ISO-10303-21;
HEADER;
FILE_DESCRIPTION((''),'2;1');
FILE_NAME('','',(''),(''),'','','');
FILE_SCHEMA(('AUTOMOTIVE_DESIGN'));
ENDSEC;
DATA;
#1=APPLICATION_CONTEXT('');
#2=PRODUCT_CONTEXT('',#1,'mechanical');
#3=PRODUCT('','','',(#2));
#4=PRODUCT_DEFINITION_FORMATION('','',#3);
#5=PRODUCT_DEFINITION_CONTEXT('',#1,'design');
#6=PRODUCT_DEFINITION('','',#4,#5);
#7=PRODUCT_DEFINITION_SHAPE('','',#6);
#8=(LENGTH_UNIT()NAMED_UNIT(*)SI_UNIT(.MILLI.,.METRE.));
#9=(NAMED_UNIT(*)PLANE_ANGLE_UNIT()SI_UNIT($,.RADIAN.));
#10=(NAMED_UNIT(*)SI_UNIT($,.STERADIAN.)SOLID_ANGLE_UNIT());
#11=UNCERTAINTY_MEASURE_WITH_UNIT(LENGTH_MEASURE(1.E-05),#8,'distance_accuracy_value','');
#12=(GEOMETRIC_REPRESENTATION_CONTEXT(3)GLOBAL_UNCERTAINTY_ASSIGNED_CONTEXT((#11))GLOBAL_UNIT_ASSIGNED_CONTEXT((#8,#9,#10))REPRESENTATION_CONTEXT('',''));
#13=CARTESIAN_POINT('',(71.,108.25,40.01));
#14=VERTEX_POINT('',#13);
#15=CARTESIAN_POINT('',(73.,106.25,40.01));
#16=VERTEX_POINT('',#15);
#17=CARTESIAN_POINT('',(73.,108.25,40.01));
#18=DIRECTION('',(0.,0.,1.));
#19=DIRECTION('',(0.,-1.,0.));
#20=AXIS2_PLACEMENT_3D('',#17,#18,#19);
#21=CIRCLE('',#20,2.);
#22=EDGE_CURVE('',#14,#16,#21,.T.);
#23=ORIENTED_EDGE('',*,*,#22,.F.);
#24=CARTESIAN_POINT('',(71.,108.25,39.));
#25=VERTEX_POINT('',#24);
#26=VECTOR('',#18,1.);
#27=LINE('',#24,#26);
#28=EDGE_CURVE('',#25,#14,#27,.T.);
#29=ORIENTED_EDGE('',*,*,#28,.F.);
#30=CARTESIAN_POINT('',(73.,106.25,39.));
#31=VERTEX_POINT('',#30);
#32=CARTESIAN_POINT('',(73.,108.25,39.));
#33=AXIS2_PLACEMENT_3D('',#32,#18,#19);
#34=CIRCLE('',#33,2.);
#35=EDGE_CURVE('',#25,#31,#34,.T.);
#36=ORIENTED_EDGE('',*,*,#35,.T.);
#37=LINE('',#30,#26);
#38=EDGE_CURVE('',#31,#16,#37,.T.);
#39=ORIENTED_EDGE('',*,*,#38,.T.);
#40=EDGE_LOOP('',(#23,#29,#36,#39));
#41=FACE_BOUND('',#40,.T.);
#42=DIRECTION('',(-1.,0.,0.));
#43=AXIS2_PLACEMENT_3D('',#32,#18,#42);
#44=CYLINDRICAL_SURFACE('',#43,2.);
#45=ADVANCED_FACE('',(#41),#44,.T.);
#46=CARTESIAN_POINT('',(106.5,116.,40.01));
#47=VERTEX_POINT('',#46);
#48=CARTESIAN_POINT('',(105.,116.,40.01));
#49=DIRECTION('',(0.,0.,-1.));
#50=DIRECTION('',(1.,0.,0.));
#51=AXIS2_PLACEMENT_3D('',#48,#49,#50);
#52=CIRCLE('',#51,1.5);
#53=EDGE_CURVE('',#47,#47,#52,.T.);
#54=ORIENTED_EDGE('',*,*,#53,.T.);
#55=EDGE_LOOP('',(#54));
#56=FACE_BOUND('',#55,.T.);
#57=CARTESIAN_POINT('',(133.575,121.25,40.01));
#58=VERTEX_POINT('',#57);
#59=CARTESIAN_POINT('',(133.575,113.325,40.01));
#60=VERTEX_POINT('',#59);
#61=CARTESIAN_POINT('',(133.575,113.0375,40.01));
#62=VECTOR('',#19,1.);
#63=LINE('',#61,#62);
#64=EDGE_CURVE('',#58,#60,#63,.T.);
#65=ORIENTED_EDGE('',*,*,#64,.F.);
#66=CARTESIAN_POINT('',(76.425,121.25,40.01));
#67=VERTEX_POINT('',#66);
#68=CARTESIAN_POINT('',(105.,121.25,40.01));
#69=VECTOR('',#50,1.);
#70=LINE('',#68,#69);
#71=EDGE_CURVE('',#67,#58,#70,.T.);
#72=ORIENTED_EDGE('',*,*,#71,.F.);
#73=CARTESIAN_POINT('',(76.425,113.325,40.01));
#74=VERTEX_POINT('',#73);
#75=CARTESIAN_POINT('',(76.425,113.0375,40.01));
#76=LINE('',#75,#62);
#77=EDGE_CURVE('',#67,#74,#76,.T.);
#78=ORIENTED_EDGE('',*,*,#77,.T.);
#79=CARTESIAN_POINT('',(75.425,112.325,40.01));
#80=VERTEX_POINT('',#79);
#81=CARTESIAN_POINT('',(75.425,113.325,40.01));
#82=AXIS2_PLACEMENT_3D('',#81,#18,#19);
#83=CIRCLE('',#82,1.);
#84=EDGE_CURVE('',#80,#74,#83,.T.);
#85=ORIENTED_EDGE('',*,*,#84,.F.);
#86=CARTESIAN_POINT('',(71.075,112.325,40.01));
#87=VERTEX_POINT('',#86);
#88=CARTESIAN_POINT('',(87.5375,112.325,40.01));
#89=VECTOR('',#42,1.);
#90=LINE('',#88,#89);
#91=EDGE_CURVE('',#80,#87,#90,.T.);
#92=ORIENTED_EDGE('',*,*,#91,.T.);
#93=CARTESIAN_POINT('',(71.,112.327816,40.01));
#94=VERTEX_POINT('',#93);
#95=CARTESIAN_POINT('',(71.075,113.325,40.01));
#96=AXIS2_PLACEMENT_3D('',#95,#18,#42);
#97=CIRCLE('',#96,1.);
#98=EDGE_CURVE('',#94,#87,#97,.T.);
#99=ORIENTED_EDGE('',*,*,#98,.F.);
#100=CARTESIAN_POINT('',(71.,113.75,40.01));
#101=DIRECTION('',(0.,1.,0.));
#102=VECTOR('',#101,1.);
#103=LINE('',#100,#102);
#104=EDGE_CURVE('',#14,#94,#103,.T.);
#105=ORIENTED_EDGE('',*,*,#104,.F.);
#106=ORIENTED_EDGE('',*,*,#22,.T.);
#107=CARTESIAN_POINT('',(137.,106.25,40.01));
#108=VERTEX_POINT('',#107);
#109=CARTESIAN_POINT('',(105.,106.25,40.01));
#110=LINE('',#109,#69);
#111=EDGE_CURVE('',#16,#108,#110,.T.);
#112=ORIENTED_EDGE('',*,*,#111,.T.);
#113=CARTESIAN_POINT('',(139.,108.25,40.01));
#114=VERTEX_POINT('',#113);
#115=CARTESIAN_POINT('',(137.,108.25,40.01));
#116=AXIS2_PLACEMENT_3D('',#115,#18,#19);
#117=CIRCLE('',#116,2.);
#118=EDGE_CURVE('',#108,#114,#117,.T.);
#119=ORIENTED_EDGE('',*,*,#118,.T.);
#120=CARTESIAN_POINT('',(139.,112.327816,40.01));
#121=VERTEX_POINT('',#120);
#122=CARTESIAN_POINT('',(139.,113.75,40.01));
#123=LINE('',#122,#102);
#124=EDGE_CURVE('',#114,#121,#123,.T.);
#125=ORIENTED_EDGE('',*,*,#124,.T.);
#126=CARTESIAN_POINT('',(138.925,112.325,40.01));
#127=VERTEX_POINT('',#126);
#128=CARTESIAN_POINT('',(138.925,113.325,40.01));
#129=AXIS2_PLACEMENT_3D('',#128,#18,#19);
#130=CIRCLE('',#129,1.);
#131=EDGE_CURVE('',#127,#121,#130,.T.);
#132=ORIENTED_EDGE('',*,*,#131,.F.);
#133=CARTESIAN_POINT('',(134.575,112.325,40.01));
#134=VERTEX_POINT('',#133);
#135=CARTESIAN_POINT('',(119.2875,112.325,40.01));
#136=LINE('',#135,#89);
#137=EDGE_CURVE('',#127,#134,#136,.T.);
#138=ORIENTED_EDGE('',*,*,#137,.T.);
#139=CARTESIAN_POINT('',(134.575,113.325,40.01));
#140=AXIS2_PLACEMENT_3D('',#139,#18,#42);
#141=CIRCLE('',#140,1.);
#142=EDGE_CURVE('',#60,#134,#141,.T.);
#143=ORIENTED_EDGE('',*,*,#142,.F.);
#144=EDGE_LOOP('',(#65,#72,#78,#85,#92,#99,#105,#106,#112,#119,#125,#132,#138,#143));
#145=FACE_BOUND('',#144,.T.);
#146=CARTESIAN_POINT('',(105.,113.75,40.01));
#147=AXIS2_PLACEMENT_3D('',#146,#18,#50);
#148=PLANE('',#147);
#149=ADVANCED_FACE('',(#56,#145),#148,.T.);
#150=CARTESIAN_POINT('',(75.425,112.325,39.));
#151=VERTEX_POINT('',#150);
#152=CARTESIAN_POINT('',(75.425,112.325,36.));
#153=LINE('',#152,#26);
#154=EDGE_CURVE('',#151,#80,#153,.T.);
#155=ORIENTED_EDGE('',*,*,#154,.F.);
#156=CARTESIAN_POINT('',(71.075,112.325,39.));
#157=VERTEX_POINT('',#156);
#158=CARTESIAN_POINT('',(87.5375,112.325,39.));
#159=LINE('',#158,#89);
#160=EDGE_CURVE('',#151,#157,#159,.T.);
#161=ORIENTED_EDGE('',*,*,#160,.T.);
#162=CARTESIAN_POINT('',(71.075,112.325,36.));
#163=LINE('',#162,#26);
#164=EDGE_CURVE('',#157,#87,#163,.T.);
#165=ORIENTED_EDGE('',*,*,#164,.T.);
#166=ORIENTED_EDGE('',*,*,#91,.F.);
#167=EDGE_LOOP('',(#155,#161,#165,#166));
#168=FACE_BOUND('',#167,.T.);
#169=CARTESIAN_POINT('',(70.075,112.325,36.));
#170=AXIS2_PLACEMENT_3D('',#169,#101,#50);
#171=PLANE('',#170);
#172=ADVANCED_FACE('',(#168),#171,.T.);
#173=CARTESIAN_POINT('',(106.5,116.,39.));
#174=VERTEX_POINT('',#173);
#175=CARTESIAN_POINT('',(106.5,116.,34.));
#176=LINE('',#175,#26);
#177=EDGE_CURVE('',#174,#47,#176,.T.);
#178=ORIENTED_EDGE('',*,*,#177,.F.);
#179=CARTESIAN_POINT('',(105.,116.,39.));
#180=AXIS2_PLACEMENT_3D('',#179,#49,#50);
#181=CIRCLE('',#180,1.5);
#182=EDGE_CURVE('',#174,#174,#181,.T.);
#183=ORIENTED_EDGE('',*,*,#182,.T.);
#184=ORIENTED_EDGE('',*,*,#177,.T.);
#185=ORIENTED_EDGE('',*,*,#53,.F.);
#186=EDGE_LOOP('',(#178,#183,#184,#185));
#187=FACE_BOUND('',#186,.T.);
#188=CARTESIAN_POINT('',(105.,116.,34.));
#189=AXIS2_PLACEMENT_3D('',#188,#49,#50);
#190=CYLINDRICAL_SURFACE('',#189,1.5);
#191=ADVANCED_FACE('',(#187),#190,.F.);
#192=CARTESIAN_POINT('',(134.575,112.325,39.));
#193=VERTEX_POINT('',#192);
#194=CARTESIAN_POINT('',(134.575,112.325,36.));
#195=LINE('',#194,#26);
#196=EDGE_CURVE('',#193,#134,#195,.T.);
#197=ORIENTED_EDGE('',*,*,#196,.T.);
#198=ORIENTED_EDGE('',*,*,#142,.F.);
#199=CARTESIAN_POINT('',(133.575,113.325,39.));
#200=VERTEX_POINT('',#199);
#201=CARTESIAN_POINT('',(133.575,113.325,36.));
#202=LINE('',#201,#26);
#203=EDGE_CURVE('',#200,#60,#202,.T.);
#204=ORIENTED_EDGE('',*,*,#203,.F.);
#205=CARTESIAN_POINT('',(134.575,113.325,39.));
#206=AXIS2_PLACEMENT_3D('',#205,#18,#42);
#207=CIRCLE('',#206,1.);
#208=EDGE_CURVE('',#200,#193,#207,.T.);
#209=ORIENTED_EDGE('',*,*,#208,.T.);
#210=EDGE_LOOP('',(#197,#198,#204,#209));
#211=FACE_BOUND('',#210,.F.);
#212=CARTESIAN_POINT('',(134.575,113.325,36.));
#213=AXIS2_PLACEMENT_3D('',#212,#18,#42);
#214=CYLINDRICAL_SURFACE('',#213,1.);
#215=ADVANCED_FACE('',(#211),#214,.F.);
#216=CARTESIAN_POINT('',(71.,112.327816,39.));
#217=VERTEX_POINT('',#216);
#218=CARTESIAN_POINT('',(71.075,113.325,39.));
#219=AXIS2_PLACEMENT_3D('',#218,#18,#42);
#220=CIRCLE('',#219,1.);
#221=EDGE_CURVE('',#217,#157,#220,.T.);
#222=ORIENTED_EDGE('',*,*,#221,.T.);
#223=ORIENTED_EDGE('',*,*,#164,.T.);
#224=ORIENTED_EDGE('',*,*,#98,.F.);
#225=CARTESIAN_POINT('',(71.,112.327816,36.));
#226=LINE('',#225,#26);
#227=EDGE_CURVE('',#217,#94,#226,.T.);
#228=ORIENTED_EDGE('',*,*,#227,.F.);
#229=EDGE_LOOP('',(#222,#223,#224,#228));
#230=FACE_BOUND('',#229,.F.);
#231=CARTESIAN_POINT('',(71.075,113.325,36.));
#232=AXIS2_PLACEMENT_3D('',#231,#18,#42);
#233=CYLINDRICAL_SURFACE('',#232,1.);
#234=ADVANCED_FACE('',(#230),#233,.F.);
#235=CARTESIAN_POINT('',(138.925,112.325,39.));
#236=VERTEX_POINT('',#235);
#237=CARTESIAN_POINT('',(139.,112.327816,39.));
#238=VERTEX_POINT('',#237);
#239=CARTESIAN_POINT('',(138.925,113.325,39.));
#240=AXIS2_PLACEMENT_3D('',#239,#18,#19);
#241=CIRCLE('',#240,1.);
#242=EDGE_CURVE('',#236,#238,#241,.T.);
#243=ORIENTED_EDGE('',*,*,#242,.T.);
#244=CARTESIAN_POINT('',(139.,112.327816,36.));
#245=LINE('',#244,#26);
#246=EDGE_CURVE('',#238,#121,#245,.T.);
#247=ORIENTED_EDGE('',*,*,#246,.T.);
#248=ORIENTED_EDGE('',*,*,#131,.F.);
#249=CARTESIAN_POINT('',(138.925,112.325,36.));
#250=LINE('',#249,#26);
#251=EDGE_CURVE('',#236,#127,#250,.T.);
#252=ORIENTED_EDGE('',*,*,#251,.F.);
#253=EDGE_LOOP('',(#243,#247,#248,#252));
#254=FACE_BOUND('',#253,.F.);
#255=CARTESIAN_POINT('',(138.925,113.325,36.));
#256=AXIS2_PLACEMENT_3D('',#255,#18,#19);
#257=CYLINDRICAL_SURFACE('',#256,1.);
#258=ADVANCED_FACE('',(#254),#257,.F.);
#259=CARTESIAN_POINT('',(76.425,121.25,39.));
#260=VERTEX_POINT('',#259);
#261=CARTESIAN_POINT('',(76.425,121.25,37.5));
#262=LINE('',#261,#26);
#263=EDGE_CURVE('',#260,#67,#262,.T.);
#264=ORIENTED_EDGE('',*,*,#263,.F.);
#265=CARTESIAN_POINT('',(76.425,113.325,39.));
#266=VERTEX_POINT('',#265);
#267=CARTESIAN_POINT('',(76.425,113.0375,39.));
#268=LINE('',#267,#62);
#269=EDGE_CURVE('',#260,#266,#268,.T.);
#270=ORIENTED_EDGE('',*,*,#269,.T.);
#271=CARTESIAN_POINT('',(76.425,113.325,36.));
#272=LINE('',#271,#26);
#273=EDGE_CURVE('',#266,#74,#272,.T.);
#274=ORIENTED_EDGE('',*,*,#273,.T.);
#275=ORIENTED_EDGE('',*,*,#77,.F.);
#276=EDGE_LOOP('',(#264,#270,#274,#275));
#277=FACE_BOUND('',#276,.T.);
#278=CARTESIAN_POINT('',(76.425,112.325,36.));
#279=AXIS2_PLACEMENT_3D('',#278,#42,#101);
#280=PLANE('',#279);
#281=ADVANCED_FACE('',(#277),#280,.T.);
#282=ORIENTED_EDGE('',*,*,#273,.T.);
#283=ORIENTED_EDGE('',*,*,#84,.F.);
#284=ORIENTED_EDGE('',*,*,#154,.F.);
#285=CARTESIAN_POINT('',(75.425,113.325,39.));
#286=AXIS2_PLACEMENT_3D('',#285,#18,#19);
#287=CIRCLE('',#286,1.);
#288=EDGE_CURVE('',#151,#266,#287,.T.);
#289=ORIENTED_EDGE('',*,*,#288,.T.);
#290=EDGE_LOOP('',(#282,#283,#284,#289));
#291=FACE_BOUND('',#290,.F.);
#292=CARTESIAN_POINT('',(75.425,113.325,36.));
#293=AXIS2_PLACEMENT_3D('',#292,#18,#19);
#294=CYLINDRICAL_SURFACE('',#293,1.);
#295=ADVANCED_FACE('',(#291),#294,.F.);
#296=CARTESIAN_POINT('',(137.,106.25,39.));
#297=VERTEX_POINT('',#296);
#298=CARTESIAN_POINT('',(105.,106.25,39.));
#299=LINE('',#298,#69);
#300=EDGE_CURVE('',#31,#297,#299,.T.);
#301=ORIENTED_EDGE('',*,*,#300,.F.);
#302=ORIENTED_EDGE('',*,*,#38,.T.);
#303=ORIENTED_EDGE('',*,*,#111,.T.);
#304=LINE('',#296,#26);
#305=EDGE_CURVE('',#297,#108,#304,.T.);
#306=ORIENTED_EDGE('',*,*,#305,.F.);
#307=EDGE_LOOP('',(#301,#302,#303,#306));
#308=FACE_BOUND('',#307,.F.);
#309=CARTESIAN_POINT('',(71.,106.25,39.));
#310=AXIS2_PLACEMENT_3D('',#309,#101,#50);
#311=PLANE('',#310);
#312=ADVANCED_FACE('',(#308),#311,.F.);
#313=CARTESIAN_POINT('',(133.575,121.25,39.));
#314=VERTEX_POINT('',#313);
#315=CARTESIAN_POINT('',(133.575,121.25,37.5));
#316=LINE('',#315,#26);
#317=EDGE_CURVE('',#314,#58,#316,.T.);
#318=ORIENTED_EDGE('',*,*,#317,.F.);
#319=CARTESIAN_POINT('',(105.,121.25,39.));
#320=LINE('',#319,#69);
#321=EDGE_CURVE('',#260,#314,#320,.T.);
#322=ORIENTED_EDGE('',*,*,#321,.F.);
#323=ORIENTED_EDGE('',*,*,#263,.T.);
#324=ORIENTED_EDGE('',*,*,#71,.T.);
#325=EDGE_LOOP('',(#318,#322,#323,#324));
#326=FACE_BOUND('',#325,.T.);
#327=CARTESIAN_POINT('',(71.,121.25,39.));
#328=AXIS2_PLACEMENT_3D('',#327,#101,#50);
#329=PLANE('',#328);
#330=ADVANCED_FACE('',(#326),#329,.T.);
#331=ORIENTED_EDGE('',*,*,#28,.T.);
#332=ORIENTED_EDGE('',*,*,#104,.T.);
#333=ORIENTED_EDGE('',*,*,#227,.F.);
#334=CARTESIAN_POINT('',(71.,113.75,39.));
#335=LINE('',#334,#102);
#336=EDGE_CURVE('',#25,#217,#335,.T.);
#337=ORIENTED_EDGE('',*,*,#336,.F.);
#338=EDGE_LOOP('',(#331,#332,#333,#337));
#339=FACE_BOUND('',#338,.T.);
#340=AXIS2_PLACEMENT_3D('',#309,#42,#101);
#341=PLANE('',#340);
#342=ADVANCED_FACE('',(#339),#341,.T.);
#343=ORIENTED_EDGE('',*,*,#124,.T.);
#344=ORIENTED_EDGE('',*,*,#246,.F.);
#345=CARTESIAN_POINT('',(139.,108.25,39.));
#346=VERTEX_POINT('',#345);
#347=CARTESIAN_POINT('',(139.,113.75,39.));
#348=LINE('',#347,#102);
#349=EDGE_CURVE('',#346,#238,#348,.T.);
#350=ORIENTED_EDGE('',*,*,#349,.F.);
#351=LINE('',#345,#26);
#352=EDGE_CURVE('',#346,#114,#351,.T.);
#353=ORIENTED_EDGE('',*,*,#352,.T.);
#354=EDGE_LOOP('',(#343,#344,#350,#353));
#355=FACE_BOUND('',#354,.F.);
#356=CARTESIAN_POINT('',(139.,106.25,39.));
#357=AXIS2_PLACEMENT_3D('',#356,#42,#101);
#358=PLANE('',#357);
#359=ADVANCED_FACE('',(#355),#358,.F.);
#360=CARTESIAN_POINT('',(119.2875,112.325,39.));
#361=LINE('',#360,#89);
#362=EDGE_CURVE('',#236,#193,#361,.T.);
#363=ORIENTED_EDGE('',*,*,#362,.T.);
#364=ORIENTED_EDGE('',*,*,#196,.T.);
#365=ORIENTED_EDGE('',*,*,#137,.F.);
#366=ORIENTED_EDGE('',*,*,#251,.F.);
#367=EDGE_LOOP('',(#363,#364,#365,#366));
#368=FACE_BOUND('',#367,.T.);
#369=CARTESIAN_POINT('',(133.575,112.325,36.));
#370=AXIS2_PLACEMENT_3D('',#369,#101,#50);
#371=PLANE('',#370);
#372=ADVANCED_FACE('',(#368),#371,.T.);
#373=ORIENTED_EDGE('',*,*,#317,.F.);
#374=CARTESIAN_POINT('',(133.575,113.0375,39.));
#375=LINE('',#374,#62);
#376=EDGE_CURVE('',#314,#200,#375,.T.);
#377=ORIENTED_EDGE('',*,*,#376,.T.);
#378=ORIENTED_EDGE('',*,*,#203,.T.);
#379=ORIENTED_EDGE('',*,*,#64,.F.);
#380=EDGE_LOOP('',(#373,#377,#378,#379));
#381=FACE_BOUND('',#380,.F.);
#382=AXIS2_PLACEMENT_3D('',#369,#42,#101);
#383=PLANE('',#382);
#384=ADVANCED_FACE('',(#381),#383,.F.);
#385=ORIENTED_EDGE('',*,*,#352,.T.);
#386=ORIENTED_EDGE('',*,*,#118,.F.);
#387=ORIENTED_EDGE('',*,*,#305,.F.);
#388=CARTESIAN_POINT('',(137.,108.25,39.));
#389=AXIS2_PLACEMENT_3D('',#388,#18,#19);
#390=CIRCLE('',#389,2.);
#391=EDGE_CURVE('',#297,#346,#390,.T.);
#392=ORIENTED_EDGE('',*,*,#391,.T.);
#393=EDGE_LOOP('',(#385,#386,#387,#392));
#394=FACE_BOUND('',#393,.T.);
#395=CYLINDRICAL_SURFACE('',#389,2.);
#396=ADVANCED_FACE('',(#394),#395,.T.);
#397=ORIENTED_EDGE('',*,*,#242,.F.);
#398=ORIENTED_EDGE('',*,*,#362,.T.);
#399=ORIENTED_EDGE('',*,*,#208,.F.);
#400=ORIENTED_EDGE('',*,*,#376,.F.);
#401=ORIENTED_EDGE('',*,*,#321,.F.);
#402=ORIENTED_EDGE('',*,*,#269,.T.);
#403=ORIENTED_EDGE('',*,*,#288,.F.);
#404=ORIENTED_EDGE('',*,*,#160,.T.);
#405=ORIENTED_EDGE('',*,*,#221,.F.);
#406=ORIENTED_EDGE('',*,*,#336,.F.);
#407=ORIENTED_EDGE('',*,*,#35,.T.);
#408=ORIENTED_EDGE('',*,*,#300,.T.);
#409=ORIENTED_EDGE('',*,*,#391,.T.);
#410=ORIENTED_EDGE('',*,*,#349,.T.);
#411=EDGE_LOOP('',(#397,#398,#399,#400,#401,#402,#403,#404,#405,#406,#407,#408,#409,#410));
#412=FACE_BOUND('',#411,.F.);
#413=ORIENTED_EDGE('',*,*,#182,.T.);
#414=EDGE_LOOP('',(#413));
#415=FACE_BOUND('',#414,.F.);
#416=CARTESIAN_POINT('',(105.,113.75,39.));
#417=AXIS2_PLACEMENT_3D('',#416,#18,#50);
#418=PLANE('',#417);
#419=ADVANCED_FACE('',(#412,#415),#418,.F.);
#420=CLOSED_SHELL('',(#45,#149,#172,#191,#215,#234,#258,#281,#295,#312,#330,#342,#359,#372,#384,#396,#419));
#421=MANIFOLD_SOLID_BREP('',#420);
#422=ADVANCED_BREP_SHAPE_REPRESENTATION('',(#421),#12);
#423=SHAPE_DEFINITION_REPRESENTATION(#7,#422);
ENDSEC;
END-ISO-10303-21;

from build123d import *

# Parameters (mm, degrees)
CYLINDER080_R     = 1.5
CYLINDER080_DEPTH = 10
CYLINDER075_R     = 2.579687
CYLINDER075_DEPTH = 56.5
CYLINDER076_R     = 2.579687
CYLINDER076_DEPTH = 55.5
BOX006_W          = 6.35
BOX006_H          = 15
BOX006_DEPTH      = 10
FILLET005_R       = 1
BOX005_W          = 6.35
BOX005_H          = 15
BOX005_DEPTH      = 10
FILLET004_R       = 1
BOX004_W          = 68
BOX004_H          = 15
BOX004_DEPTH      = 1.01
FILLET003_R       = 2


with BuildPart() as shieldcrosshole004:
    # Cylinder080 → Cylinder080 (new body)
    with BuildSketch(Plane(origin=(105, 116, 34), x_dir=(1, 0, 0), z_dir=(0, 0, 1))):
        Circle(CYLINDER080_R)
    extrude(amount=CYLINDER080_DEPTH)


with BuildPart() as threaded027:
    # Cylinder075 → Cylinder075 (new body)
    with BuildSketch(Plane(origin=(73.25, 179.75, 4), x_dir=(1, 0, 0), z_dir=(0, 0, 1))):
        Circle(CYLINDER075_R)
    extrude(amount=CYLINDER075_DEPTH)


with BuildPart() as threaded028:
    # Cylinder076 → Cylinder076 (new body)
    with BuildSketch(Plane(origin=(136.75, 179.75, 4), x_dir=(1, 0, 0), z_dir=(0, 0, 1))):
        Circle(CYLINDER076_R)
    extrude(amount=CYLINDER076_DEPTH)


with BuildPart() as fillet005:
    # Box006 → Box006 (new body)
    with BuildSketch(Plane(origin=(70.075, 175.825, 36), x_dir=(1, 0, 0), z_dir=(0, 0, 1))):
        with Locations((3.175, 7.5)):
            Rectangle(BOX006_W, BOX006_H)
    extrude(amount=BOX006_DEPTH)

    # Fillet005
    fillet005_edges = [fillet005.edges().sort_by_distance(p)[0] for p in [
        (70.075, 175.825, 41),
        (76.425, 175.825, 41),
    ]]
    fillet(fillet005_edges, radius=FILLET005_R)


with BuildPart() as fillet005_1:
    # Fillet005 placement: moved
    add(fillet005.part.moved(Location((63.5, 0, 0))))


with BuildPart() as fusion033:
    # Box005 → Box005 (new body)
    with BuildSketch(Plane(origin=(70.075, 175.825, 36), x_dir=(1, 0, 0), z_dir=(0, 0, 1))):
        with Locations((3.175, 7.5)):
            Rectangle(BOX005_W, BOX005_H)
    extrude(amount=BOX005_DEPTH)

    # Fillet004
    fillet004_edges = [fusion033.edges().sort_by_distance(p)[0] for p in [
        (70.075, 175.825, 41),
        (76.425, 175.825, 41),
    ]]
    fillet(fillet004_edges, radius=FILLET004_R)

    # Fusion033: union Threaded027, Threaded028, Fillet005
    add(threaded027.part)
    add(threaded028.part)
    add(fillet005_1.part)


with BuildPart() as shieldbar003:
    # Box004 → Box004 (new body)
    with BuildSketch(Plane(origin=(71, 169.75, 39), x_dir=(1, 0, 0), z_dir=(0, 0, 1))):
        with Locations((34, 7.5)):
            Rectangle(BOX004_W, BOX004_H)
    extrude(amount=BOX004_DEPTH)

    # Fillet003
    fillet003_edges = [shieldbar003.edges().sort_by_distance(p)[0] for p in [
        (71, 169.75, 39.505),
        (71, 184.75, 39.505),
        (139, 169.75, 39.505),
        (139, 184.75, 39.505),
    ]]
    fillet(fillet003_edges, radius=FILLET003_R)

    # Cut004: cut Fusion033
    add(fusion033.part, mode=Mode.SUBTRACT)


with BuildPart() as shieldbar003_1:
    # Cut004 placement: moved
    add(shieldbar003.part.moved(Location((0, -63.5, 0))))

    # Cut006: cut ShieldCrossHole004
    add(shieldcrosshole004.part, mode=Mode.SUBTRACT)


solid = shieldbar003_1.part
